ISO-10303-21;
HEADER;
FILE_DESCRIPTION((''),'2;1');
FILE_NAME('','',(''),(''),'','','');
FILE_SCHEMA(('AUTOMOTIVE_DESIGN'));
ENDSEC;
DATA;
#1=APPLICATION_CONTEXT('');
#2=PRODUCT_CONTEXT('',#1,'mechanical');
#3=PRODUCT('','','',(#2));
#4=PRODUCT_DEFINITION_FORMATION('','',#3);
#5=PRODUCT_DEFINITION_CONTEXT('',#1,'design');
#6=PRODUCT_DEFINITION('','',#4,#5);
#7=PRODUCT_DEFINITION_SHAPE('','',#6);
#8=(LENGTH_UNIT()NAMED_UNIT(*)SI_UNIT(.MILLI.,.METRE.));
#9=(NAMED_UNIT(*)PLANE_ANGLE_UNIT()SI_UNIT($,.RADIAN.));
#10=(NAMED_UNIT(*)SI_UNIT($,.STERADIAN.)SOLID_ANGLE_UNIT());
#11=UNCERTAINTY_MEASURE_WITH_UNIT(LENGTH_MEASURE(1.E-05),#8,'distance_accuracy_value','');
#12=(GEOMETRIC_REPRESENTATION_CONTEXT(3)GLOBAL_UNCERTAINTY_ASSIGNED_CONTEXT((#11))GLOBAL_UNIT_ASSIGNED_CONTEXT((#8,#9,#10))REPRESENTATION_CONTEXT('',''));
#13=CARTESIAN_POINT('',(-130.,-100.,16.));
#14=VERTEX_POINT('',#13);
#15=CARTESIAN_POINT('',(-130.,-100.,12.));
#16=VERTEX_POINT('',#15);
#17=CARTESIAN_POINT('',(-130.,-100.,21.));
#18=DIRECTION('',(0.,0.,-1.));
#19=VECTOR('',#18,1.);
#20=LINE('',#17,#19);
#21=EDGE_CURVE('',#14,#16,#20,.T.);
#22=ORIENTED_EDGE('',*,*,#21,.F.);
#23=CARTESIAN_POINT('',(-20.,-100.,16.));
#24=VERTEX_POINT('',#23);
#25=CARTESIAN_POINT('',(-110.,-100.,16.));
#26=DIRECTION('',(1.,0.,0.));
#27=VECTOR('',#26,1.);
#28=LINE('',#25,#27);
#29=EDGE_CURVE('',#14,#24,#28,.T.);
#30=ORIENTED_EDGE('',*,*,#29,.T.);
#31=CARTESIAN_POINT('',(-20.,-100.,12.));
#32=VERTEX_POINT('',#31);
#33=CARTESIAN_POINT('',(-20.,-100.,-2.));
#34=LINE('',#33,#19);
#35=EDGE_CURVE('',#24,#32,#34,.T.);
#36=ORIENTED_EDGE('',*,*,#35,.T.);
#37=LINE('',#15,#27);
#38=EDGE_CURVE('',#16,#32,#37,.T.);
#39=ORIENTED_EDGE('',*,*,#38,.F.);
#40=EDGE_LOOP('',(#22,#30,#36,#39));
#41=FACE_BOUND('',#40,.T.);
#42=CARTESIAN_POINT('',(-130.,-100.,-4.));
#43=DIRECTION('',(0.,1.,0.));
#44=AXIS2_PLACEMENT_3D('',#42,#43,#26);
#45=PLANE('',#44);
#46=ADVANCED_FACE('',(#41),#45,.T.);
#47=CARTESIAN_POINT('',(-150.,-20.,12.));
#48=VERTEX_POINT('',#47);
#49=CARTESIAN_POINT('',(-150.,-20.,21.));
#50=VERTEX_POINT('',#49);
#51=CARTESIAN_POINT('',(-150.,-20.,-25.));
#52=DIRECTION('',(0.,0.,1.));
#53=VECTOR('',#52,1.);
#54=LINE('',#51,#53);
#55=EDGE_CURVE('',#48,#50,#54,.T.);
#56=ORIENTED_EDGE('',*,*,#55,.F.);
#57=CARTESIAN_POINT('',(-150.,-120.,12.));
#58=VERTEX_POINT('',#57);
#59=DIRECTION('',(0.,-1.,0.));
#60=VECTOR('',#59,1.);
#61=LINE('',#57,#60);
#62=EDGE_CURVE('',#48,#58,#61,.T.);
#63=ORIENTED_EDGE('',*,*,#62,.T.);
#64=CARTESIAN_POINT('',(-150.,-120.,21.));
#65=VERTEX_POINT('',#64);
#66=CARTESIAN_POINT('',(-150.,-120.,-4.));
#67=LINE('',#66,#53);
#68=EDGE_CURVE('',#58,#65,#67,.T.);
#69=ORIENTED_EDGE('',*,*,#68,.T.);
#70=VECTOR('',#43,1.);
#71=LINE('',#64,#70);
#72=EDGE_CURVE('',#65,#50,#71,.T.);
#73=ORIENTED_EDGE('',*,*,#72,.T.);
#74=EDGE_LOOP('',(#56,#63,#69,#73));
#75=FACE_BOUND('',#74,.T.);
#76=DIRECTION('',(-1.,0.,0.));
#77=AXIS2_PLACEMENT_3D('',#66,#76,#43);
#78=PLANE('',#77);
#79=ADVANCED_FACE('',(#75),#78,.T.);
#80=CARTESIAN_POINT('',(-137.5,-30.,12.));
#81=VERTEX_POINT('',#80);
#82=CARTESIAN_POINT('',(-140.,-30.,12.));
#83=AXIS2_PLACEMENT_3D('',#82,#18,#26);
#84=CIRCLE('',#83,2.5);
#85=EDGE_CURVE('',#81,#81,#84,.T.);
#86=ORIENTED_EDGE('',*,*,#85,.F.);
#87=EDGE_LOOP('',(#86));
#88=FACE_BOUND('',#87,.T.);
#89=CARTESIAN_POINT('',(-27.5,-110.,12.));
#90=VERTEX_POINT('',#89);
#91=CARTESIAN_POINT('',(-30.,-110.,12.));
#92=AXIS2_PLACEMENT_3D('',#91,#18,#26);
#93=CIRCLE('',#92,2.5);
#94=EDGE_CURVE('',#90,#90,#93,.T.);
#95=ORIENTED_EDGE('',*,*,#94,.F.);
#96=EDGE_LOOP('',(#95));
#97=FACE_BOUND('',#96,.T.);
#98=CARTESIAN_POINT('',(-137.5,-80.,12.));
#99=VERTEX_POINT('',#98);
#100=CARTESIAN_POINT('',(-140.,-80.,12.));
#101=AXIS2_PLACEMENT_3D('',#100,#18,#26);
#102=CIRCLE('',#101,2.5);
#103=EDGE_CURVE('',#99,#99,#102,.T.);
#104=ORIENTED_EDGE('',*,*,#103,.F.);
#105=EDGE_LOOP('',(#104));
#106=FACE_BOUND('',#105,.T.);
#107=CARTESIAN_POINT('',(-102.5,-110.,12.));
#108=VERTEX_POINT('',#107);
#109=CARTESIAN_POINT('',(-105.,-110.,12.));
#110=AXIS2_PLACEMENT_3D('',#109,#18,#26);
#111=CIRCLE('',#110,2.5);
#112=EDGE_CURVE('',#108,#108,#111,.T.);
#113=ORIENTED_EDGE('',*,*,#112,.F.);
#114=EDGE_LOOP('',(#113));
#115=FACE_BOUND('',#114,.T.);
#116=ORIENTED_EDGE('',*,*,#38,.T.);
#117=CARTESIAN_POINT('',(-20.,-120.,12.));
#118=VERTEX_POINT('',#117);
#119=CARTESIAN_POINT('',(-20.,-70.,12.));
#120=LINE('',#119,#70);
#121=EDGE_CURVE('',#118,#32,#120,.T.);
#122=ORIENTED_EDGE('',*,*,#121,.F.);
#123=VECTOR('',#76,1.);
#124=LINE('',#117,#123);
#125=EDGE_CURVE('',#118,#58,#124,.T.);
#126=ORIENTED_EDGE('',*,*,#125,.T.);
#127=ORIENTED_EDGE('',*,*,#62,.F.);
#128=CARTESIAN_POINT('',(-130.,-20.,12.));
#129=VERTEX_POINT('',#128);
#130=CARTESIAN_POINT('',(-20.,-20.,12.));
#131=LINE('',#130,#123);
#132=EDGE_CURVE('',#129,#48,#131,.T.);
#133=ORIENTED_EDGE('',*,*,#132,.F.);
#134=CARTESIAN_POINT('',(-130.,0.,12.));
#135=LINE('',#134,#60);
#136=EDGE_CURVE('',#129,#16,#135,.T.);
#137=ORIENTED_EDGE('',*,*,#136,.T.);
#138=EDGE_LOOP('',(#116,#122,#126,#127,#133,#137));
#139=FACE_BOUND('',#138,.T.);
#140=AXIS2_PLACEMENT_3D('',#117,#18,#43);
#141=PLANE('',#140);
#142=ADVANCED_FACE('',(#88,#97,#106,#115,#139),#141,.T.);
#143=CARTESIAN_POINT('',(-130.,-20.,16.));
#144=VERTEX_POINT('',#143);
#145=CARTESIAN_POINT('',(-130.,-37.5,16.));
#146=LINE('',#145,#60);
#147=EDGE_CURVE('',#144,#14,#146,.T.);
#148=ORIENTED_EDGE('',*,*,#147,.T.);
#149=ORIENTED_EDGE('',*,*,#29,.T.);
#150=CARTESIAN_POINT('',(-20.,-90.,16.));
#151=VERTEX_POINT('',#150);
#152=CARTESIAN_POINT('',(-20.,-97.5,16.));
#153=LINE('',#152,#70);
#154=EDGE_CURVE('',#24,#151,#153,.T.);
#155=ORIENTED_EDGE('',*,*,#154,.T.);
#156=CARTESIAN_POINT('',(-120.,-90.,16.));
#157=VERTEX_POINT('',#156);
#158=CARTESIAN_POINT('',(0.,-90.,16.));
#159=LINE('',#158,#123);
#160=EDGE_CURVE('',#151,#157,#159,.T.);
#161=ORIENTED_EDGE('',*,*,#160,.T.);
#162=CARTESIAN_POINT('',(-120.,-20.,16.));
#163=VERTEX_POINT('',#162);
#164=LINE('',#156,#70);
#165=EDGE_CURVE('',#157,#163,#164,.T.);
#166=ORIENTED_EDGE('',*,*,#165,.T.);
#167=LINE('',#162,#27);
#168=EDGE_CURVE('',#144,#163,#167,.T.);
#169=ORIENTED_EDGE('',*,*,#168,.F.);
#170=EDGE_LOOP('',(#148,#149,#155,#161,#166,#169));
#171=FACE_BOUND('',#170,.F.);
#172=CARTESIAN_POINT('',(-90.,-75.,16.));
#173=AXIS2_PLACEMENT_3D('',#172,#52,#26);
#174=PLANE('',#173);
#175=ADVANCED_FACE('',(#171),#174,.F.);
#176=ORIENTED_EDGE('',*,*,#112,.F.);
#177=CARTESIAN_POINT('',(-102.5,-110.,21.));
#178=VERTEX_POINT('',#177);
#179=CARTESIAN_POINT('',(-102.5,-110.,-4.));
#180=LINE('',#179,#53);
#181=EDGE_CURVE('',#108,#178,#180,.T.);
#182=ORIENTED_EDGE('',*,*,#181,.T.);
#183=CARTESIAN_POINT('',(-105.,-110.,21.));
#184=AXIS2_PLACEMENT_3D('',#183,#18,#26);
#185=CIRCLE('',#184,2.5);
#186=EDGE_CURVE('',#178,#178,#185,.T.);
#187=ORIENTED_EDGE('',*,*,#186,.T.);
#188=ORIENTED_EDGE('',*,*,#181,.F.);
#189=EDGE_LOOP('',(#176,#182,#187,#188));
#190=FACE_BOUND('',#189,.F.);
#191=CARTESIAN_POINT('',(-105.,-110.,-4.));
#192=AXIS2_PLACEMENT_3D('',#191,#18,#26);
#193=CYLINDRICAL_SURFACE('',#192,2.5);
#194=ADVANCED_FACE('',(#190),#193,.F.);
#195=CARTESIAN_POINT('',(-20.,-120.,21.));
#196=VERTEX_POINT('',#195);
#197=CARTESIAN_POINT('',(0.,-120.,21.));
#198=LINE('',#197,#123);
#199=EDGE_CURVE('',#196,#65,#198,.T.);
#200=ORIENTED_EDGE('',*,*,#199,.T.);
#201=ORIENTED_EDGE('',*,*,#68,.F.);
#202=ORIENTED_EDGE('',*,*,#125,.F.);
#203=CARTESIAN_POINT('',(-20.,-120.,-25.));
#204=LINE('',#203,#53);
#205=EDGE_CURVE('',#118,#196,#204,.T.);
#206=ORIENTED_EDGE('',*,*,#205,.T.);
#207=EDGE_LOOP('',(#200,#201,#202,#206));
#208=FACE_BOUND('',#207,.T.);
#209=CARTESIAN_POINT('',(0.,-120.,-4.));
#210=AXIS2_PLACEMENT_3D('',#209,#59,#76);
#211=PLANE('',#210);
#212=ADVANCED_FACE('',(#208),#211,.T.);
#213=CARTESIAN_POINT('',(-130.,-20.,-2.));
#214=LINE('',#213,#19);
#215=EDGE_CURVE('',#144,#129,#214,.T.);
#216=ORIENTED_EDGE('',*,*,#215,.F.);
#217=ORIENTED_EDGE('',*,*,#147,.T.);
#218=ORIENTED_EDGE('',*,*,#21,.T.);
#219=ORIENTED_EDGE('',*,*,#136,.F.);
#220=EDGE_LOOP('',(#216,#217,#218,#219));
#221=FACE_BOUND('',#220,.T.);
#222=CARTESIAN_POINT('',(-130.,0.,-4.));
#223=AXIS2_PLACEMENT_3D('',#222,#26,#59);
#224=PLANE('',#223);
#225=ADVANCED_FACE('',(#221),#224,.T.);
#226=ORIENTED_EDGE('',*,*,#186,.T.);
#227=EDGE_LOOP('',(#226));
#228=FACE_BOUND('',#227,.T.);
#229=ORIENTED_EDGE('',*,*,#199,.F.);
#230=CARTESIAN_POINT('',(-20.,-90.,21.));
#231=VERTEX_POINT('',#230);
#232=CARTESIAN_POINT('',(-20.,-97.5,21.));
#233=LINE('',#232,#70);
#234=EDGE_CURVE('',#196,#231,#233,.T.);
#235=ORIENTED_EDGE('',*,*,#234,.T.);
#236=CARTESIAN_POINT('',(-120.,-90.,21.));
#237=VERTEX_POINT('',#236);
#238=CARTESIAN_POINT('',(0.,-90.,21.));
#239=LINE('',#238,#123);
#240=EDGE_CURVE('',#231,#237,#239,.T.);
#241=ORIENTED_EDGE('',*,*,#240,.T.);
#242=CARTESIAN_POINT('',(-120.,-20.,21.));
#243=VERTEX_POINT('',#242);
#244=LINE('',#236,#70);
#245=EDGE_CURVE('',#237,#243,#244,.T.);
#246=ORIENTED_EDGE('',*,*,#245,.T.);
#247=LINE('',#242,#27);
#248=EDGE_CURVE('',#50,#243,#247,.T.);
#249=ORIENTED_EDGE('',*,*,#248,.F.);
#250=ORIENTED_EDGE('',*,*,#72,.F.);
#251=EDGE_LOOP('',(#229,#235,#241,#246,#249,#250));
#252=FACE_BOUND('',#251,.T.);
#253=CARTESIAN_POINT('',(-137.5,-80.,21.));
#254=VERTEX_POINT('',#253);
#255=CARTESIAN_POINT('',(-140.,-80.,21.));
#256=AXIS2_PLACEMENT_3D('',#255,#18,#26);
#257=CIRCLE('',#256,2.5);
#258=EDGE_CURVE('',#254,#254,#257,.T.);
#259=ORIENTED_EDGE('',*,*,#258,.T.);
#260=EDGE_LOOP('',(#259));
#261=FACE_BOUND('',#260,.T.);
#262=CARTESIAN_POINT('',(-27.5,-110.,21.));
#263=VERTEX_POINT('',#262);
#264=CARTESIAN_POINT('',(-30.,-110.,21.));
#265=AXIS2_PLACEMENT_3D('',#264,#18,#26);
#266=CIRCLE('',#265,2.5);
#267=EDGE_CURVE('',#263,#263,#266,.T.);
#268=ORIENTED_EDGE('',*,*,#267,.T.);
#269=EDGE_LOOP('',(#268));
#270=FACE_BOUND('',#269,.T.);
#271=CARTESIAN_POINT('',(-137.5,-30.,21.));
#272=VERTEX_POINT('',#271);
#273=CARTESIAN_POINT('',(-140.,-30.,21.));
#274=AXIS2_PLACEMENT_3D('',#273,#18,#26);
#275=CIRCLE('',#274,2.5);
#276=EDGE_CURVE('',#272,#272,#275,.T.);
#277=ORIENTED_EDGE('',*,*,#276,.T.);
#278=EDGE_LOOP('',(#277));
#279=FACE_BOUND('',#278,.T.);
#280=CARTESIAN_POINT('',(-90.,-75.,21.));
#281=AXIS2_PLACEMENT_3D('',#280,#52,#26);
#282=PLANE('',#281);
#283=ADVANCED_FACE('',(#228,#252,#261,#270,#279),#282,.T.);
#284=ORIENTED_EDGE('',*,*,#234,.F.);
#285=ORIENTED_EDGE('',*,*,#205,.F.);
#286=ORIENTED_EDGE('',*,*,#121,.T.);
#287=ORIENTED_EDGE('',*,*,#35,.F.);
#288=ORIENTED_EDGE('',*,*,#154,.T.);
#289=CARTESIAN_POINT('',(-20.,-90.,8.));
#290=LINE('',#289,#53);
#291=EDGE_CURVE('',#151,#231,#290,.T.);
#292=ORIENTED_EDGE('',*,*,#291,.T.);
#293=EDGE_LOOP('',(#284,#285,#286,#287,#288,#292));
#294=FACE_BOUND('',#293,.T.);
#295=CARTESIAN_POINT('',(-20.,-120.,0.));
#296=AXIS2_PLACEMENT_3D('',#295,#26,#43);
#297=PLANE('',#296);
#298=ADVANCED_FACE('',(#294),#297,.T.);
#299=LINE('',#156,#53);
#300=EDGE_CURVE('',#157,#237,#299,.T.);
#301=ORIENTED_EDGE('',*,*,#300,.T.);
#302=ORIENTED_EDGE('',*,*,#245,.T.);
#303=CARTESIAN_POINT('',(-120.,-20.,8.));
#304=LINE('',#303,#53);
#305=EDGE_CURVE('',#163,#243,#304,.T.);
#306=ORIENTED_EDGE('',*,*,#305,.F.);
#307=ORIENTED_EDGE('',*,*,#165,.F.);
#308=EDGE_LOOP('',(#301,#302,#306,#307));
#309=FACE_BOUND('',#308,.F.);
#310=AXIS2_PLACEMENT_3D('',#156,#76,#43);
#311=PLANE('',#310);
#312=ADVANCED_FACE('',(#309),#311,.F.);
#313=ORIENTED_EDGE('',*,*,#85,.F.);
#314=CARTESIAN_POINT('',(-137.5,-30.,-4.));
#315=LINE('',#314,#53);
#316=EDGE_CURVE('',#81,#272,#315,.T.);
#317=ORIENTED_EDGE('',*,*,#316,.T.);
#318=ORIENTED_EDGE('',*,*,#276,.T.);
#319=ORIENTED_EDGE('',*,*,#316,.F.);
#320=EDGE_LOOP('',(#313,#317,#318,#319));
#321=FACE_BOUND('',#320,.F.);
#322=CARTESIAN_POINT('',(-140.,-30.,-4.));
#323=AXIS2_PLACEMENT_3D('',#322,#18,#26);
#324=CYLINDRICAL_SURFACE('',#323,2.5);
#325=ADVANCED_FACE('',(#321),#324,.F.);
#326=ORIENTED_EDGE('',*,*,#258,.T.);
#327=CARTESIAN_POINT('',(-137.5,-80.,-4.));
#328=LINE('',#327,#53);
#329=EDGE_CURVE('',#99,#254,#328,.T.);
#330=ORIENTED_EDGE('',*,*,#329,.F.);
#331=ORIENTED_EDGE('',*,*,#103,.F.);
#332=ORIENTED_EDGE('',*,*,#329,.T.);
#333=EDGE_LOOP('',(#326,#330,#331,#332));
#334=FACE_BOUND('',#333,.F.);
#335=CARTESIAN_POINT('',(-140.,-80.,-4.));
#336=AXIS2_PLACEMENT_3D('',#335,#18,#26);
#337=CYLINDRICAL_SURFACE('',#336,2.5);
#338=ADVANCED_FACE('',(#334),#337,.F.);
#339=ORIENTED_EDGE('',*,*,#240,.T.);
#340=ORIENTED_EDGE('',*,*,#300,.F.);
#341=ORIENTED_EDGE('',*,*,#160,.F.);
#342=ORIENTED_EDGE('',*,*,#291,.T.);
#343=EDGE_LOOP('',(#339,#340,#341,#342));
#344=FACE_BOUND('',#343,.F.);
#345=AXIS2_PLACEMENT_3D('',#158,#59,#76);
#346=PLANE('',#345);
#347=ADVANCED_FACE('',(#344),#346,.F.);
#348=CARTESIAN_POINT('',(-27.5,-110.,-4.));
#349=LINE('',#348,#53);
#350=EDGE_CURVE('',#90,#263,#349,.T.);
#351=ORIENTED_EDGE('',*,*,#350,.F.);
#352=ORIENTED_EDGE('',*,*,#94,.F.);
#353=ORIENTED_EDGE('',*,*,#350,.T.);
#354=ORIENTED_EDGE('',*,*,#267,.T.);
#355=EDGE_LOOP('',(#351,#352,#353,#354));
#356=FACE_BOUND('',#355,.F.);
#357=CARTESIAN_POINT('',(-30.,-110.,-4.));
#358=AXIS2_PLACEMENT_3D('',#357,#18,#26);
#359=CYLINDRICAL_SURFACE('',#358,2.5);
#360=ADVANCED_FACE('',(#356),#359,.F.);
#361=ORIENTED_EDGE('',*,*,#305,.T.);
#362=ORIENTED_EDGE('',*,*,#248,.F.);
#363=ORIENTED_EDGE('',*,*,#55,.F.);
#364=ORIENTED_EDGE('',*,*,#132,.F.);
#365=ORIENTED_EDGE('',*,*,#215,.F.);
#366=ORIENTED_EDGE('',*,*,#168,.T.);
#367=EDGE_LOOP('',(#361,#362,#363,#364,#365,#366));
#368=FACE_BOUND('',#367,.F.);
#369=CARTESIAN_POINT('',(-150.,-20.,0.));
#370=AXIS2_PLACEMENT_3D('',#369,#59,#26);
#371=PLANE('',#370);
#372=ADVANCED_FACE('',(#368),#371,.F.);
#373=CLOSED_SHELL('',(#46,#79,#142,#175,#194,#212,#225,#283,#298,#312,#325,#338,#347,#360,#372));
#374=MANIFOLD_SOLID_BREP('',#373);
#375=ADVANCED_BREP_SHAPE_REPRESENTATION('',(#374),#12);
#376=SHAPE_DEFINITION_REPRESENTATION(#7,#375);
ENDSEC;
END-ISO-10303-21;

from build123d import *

# Parameters (mm, degrees)
F1_DEPTH  = 12
F2_W      = 130
F2_H      = 20
F3_DEPTH  = 5
F4_W      = 105
F4_H      = 20
F5_DEPTH  = 5
F7_W      = 20
F7_H      = 100
F7_R      = 2.5
F7_H_2    = 20
F7_W_2    = 130
F8_DEPTH  = 25
F9_DEPTH  = 5
F10_W     = 130
F10_H     = 20
F10_W_2   = 20
F10_H_2   = 100
F11_DEPTH = 25
F12_W     = 100
F12_H     = 16
F13_DEPTH = 150


with BuildPart() as f1:
    # F0 (on Top) → F1 (new body)
    with BuildSketch(Plane.XY):
        with BuildLine():
            add(Edge.make_bspline(
                [(-116.5, 0), (-116.5, -86.5), (0, -86.5)],
                knots=[3.1415926536, 3.1415926536, 3.1415926536, 4.7123889804, 4.7123889804, 4.7123889804], degree=2, weights=[1, 0.7071067812, 1]))
            Line((-116.5, 0), (-116.5, -86.5))
            Line((-116.5, -86.5), (0, -86.5))
        make_face()
        Polygon((-116.5, -86.5), (-116.5, 0), (-130, 0), (-130, -100), (0, -100), (0, -86.5), align=None)
    extrude(amount=F1_DEPTH)

    # F2 (on face) → F3 (join)
    with BuildSketch(Plane.XZ.offset(100)):
        with Locations((-65, 6)):
            Rectangle(F2_W, F2_H)
    extrude(amount=F3_DEPTH)

    # F4 (on face) → F5 (join)
    with BuildSketch(Plane(origin=(-130, 0, 0), x_dir=(0, -1, 0), z_dir=(-1, 0, 0))):
        with Locations((52.5, 6)):
            Rectangle(F4_W, F4_H)
    extrude(amount=F5_DEPTH)

    # F7 (on face) → F8 (join)
    with BuildSketch(Plane(origin=(0, 0, -4), x_dir=(1, 0, 0), z_dir=(0, 0, -1))):
        with Locations((-140, 50)):
            Rectangle(F7_W, F7_H)
        with Locations((-140, 30)):
            Circle(F7_R, mode=Mode.SUBTRACT)
        with Locations((-140, 80)):
            Circle(F7_R, mode=Mode.SUBTRACT)
        with Locations((-140, 110)):
            Rectangle(F7_W, F7_H_2)
        with Locations((-65, 110)):
            Rectangle(F7_W_2, F7_H_2)
        with Locations((-105, 110)):
            Circle(F7_R, mode=Mode.SUBTRACT)
        with Locations((-30, 110)):
            Circle(F7_R, mode=Mode.SUBTRACT)
    extrude(amount=-F8_DEPTH)

    # F6 (on face) → F9 (join)
    with BuildSketch(Plane.XY.offset(16)):
        Polygon((-120, 0), (-135, 0), (-135, -105), (0, -105), (0, -90), (-120, -90), align=None)
    extrude(amount=F9_DEPTH)

    # F10 (on Top) → F11 (cut, symmetric)
    with BuildSketch(Plane.XY):
        with Locations((-85, -10)):
            Rectangle(F10_W, F10_H)
        with Locations((-10, -10)):
            Rectangle(F10_W_2, F10_H)
        with Locations((-10, -70)):
            Rectangle(F10_W_2, F10_H_2)
    extrude(amount=F11_DEPTH, both=True, mode=Mode.SUBTRACT)

    # F12 (on face) → F13 (cut)
    with BuildSketch(Plane.YZ.offset(-20)):
        with Locations((-70, 4)):
            Rectangle(F12_W, F12_H)
    extrude(amount=-F13_DEPTH, mode=Mode.SUBTRACT)


solid = f1.part
